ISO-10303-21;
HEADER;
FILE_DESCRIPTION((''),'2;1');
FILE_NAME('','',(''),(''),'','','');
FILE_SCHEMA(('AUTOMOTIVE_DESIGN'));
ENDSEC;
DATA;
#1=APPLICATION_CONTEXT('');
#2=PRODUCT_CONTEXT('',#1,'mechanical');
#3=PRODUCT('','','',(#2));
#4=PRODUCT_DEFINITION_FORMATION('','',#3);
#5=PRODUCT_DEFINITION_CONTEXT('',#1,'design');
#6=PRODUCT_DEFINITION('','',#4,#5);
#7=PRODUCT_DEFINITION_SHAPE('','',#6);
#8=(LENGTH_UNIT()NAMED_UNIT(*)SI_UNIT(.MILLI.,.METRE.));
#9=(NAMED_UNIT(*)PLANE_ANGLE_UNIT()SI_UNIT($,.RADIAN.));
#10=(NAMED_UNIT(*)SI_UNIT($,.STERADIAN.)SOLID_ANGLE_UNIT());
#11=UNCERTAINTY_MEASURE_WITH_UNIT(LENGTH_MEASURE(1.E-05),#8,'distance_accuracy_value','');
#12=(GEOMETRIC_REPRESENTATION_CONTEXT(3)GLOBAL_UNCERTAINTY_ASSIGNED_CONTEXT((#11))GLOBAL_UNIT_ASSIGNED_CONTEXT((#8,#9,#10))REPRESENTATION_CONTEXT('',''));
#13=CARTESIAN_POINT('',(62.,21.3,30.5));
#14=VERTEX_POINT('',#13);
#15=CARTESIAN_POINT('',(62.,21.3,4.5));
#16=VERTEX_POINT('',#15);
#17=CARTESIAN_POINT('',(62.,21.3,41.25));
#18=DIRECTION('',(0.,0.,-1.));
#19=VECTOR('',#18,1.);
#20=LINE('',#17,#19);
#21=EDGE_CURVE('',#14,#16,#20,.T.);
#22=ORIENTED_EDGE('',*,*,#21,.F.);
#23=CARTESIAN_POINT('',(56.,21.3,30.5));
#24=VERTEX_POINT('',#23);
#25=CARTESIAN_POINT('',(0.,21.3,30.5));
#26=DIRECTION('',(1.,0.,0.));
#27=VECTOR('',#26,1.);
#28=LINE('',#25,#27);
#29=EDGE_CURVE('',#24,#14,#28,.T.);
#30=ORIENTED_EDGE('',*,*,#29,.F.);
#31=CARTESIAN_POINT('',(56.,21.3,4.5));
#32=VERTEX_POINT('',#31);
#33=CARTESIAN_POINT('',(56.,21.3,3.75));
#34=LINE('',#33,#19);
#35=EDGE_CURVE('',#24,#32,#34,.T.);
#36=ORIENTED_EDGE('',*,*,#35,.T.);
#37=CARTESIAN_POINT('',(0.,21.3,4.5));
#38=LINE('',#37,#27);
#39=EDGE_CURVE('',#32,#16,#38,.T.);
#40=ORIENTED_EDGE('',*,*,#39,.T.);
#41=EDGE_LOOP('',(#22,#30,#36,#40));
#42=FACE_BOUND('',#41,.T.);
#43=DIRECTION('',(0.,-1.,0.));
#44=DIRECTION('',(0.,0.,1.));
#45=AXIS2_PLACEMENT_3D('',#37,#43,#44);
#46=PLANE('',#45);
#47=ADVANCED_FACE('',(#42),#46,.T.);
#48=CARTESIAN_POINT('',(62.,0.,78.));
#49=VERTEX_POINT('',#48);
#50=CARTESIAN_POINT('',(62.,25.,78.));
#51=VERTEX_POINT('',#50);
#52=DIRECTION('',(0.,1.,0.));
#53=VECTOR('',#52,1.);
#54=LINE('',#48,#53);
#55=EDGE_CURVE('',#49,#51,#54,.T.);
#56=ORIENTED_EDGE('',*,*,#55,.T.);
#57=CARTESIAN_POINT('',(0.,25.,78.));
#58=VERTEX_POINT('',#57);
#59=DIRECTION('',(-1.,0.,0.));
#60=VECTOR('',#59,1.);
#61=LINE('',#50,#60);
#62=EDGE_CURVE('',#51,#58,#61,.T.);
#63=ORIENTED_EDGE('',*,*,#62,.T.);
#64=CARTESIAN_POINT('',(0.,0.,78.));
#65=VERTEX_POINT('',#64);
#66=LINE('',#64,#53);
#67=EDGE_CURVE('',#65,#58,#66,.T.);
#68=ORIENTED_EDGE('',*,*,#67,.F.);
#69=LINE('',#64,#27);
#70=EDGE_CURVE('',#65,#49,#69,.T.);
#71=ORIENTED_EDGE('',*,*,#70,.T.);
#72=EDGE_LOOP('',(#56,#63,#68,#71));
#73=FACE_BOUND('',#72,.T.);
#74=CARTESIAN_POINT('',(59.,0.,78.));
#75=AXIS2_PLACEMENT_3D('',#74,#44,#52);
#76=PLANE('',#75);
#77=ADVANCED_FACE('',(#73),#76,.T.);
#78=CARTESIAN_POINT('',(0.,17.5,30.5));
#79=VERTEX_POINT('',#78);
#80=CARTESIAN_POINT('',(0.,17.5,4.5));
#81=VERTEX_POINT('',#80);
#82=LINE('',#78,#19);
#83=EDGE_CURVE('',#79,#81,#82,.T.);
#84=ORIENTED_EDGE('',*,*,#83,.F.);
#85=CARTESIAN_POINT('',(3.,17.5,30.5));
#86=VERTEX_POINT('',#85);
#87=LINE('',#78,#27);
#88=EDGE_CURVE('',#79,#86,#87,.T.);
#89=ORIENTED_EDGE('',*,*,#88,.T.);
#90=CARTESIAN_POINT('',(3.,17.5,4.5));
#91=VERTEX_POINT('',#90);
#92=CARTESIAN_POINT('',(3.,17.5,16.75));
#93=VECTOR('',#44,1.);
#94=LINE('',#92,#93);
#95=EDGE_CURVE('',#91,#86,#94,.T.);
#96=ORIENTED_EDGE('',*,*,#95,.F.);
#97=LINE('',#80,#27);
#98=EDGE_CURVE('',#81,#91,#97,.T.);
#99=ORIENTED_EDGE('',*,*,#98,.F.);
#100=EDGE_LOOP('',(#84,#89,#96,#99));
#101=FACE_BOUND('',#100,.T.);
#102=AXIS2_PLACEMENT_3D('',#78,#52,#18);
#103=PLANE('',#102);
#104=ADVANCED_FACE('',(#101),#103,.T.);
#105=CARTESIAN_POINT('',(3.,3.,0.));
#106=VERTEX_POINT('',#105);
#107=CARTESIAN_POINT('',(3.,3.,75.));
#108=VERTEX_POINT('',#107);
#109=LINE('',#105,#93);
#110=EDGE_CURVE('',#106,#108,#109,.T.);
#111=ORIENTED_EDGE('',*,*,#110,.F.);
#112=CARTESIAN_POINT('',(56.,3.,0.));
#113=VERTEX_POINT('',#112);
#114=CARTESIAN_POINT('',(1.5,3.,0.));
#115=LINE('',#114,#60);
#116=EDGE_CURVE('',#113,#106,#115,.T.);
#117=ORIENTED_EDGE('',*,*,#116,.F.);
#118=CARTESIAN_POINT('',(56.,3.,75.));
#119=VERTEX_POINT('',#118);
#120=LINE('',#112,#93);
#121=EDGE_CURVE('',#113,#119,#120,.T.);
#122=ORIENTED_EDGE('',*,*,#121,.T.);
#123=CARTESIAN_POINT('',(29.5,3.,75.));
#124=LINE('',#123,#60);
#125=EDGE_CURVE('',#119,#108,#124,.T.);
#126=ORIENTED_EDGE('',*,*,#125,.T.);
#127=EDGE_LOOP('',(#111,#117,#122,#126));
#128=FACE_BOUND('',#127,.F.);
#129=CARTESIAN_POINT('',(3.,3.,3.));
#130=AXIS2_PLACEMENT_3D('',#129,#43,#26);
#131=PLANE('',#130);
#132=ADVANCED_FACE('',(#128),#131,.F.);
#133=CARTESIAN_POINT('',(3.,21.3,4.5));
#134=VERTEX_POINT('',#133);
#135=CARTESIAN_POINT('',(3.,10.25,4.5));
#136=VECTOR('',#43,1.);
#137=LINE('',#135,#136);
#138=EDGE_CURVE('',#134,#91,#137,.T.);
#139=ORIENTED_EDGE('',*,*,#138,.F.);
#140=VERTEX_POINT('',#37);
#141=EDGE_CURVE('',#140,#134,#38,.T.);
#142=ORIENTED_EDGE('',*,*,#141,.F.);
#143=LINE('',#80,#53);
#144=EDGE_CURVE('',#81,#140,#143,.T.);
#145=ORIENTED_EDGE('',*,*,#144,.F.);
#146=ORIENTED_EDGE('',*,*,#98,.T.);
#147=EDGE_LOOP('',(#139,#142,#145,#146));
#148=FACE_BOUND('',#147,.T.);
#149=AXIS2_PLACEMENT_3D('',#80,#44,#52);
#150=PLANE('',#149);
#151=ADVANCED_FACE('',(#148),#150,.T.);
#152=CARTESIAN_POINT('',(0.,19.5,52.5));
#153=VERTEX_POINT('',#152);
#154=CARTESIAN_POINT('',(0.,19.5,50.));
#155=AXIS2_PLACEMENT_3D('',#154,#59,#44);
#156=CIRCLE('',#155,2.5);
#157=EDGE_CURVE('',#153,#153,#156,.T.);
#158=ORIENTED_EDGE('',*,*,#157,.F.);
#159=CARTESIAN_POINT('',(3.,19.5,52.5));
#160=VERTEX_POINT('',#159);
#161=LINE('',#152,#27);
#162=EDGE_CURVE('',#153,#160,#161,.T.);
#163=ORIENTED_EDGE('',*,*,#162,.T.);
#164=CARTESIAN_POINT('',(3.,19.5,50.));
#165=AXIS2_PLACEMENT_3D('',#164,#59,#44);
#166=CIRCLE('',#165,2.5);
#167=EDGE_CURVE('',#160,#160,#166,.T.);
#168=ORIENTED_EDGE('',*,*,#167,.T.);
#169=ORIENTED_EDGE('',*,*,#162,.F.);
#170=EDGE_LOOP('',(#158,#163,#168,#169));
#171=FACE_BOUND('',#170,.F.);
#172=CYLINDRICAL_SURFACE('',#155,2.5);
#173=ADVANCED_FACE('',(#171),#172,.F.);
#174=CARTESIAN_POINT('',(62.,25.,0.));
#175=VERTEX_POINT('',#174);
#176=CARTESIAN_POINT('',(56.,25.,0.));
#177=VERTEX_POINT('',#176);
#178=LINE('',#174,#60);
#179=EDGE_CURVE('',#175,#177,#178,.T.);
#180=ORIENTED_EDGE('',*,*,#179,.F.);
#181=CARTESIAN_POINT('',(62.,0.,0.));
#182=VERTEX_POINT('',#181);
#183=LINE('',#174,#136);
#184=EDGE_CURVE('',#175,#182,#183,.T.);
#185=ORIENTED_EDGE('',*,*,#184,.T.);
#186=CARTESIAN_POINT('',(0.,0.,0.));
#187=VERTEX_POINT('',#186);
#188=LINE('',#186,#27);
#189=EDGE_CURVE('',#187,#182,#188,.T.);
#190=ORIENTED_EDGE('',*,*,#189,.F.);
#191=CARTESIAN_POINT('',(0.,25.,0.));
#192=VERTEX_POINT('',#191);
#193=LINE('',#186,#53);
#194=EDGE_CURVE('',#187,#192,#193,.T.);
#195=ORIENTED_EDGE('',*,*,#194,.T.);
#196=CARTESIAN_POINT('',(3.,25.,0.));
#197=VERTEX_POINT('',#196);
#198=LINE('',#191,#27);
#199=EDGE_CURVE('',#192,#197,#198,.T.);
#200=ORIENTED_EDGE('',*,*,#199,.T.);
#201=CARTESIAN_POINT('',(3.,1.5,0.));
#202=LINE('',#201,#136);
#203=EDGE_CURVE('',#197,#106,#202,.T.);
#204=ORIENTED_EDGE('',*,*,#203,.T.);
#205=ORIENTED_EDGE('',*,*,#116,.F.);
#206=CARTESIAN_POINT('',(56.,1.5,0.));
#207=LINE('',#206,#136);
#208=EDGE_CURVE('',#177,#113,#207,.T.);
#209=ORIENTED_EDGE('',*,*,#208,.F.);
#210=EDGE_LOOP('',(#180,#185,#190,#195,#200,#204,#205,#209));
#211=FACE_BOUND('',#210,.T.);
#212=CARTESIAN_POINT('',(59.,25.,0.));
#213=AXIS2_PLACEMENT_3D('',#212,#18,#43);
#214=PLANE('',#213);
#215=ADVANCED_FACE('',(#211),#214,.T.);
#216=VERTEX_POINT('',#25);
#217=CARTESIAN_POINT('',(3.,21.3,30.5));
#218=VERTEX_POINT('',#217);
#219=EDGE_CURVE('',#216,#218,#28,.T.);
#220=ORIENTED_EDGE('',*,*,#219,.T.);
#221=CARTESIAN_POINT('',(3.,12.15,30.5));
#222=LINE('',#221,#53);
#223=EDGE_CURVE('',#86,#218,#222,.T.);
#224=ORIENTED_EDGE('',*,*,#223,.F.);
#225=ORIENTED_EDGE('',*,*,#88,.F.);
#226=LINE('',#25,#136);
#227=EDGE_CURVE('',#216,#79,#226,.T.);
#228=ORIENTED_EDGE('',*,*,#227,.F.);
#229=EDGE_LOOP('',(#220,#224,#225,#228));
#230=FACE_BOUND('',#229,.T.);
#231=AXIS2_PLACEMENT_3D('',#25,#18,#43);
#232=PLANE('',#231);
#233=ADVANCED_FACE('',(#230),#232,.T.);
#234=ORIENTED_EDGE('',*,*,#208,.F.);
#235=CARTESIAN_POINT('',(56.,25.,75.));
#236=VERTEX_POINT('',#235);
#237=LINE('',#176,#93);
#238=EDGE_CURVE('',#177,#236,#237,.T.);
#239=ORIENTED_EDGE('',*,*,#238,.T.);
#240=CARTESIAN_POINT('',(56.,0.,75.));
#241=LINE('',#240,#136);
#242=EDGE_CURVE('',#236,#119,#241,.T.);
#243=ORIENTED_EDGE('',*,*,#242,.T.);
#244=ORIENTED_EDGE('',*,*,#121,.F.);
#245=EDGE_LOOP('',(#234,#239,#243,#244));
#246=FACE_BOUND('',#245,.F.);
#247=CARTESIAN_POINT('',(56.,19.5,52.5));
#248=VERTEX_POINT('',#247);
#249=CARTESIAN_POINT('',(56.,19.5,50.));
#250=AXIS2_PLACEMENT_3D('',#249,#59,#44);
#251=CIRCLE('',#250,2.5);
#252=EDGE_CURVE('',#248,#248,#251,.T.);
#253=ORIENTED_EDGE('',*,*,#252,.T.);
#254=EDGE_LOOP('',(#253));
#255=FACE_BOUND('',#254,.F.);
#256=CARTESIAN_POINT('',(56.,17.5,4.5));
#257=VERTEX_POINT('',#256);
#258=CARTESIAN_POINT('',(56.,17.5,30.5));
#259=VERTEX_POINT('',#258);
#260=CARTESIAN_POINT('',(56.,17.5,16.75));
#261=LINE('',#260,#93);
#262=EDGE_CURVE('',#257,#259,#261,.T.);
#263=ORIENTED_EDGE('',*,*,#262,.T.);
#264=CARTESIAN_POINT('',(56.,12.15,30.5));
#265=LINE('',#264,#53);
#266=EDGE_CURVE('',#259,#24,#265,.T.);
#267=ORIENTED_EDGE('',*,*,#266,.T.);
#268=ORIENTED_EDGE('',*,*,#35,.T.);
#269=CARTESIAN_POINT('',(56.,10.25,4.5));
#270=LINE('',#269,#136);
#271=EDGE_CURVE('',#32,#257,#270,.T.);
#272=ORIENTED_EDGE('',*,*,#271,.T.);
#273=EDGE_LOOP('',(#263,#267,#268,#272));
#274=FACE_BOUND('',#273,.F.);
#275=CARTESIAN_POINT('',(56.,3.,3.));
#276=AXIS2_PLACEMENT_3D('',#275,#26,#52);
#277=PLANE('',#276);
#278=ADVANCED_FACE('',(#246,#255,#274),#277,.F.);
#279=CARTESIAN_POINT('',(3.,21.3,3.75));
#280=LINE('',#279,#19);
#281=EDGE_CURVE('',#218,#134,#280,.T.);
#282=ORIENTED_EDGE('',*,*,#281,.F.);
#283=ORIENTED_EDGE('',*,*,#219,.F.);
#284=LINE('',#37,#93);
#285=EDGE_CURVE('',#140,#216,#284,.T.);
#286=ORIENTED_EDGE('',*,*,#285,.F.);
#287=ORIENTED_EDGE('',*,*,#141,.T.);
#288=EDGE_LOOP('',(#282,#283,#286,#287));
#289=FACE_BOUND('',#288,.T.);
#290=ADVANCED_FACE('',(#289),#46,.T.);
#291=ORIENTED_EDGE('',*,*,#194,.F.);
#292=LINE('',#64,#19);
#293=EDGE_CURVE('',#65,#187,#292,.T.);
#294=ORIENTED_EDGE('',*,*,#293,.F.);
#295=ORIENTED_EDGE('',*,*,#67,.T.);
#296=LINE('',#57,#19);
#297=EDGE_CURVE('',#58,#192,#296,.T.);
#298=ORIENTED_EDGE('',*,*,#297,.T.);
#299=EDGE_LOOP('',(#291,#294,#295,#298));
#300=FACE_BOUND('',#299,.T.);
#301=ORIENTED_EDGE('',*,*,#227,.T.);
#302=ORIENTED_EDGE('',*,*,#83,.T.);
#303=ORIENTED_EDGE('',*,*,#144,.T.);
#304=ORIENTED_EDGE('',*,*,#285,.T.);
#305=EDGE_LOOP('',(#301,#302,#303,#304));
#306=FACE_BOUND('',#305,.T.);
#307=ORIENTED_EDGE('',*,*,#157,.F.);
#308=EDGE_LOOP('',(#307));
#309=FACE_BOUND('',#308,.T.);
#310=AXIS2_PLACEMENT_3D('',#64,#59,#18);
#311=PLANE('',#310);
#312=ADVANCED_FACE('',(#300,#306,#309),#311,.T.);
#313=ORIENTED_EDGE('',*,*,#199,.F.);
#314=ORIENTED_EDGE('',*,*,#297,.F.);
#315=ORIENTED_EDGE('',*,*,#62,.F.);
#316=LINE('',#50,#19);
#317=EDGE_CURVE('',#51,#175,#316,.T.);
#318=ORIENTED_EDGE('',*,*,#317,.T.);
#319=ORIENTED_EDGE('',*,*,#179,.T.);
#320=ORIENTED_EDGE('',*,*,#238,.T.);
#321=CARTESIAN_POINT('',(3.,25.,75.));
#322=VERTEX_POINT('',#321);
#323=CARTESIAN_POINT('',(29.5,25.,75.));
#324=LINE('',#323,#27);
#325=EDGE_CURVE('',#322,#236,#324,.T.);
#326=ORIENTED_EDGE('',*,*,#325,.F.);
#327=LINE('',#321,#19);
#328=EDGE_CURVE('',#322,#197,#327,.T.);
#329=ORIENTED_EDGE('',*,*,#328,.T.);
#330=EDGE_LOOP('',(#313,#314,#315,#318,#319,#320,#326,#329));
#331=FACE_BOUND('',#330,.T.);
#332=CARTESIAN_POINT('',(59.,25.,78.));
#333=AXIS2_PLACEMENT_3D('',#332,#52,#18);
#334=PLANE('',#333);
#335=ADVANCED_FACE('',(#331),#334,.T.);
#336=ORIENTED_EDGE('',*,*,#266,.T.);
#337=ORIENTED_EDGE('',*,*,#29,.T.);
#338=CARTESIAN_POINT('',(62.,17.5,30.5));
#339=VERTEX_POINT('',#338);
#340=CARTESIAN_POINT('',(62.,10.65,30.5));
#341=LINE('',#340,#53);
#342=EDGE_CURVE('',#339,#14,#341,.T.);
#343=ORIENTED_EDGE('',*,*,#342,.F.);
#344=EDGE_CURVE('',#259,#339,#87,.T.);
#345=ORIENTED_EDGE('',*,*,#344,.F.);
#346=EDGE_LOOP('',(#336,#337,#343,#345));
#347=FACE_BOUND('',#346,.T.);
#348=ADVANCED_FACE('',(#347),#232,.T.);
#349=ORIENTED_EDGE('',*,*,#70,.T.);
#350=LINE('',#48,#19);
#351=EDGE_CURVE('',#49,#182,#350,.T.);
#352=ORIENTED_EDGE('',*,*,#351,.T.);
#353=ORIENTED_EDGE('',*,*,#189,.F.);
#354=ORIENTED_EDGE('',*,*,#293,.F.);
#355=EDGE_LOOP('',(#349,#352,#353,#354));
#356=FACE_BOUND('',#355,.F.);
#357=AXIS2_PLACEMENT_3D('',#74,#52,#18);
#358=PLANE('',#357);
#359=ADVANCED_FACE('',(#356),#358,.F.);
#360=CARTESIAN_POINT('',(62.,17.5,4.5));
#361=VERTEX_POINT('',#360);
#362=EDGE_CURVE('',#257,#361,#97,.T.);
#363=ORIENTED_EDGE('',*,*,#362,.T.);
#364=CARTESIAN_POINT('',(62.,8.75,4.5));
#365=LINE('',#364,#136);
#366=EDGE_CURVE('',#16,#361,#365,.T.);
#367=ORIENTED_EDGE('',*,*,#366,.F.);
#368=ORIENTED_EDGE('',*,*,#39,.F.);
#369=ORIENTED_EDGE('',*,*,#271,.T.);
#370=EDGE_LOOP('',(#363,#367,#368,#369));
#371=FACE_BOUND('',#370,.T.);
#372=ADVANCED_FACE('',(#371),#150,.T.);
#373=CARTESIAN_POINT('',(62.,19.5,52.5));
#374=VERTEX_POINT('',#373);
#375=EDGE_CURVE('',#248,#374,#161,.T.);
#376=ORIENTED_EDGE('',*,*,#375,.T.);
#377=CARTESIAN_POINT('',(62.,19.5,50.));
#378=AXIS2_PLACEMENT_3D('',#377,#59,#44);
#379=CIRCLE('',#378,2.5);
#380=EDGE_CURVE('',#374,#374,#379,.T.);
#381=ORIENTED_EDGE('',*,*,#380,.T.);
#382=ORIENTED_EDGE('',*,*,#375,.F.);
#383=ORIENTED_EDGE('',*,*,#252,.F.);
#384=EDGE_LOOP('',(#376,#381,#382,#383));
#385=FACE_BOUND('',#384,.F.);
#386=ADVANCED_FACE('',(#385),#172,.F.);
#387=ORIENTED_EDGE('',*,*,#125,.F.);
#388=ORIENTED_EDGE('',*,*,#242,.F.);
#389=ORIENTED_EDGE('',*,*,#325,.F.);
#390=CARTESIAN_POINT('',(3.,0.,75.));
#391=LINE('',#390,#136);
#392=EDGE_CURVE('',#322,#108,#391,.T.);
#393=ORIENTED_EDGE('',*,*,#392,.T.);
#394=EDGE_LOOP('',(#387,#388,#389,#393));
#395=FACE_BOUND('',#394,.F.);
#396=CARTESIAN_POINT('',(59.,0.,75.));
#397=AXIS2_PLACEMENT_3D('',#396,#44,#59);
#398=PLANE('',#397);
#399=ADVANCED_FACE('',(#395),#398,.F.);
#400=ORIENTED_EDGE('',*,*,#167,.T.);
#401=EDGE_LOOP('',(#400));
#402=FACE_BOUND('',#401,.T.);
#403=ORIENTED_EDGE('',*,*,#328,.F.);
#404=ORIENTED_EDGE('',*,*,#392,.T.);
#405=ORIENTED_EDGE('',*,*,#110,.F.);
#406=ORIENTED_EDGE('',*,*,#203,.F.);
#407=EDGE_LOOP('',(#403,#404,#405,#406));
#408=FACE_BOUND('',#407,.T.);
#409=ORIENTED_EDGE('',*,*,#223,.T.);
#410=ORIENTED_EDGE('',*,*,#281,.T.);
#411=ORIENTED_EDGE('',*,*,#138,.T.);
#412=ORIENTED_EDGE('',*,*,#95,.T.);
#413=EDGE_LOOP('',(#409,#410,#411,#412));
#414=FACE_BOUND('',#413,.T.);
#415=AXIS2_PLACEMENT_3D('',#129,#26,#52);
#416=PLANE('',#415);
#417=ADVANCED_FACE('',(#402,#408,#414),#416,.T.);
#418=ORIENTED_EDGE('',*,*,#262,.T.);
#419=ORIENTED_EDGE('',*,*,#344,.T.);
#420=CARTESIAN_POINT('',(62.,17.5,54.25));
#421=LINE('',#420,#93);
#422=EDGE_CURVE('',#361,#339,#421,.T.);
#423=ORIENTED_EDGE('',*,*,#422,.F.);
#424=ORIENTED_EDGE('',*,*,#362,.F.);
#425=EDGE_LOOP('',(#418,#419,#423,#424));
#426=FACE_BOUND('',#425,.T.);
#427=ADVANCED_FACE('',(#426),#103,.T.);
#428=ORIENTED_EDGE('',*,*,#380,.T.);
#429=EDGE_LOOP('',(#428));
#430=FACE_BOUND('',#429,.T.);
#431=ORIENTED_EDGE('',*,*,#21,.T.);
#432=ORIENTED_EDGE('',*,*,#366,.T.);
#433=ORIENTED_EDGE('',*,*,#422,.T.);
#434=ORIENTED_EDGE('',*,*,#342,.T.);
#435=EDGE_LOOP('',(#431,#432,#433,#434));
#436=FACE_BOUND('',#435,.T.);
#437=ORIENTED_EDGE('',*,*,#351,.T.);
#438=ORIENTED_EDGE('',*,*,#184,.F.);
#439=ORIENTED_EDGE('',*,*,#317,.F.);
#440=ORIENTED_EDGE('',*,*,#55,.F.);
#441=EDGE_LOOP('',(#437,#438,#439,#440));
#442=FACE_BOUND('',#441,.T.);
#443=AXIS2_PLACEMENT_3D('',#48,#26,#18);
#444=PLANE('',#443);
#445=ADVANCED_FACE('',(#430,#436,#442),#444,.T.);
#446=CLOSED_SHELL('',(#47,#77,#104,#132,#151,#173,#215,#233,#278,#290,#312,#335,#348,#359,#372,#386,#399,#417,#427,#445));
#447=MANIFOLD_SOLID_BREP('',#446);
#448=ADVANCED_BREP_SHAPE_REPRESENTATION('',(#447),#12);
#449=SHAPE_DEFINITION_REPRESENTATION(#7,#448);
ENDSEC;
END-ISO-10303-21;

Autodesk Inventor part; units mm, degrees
ref_plane "YZ Plane" through (0, 0, 0) normal (1, 0, 0) x (0, 1, 0)
ref_plane "XZ Plane" through (0, 0, 0) normal (0, 1, 0) x (-1, 0, 0)
ref_plane "XY Plane" through (0, 0, 0) normal (0, 0, 1) x (1, 0, 0)
sketch "Sketch2" plane through (0, 0, 0) normal (0, 1, 0) x (-1, 0, 0)
  line L0 (0, 0) -> (-59, 0)
  line L1 (-59, 0) -> (-59, 78)
  line L2 (-59, 78) -> (0, 78)
  line L3 (0, 78) -> (0, 0)
  dimension "d0" = 59
  dimension "d1" = 78
extrude "Extrusion1" add sketch "Sketch2" along normal blind 25
shell "Shell1" thickness 3 removed faces 1 at (39.3333, 25, 52)
sketch "Sketch4" plane through (59, 0, 0) normal (0, 0, -1) x (-1, 0, 0)
  point P0 (59, 0)
sketch "Sketch5" plane through (3, 3, 3) normal (0, 0, 1) x (1, 0, 0)
  line L0 (0, 0) -> (0, 22) projected
  line L1 (0, 22) -> (53, 22) projected
  line L2 (0, 0) -> (53, 0)
  line L3 (53, 0) -> (53, 22)
  line L4 (53, 22) -> (0, 22)
  line L5 (0, 22) -> (0, 0)
  point P0 (-3, -3)
extrude "Extrusion3" cut sketch "Sketch5" against normal blind 10
sketch "Sketch6" plane through (0, 0, 0) normal (-1, 0, 0) x (0, 0, 1)
  line L0 (4.5, 21.3) -> (30.5, 21.3)
  line L1 (30.5, 21.3) -> (30.5, 17.5)
  line L2 (30.5, 17.5) -> (4.5, 17.5)
  line L3 (4.5, 17.5) -> (4.5, 21.3)
  line L4 (0, 0) -> (0, 25) projected
  line L5 (0, 0) -> (78, 0) projected
  dimension "d19" = 26
  dimension "d20" = 3.8
  dimension "d21" = 4.5
  dimension "d22" = 17.5
sketch "Sketch7" plane through (59, 0, 78) normal (1, 0, 0) x (0, 0, -1)
  line L0 (0, 0) -> (78, 0) projected
  line L1 (0, 25) -> (78, 25)
  line L2 (78, 25) -> (78, 0)
  line L3 (78, 0) -> (0, 0)
  line L4 (0, 0) -> (0, 25)
extrude "Extrusion5" add sketch "Sketch7" along normal blind 3
extrude "Extrusion6" cut sketch "Sketch6" against normal through all
sketch "Sketch8" plane through (0, 0, 0) normal (-1, 0, 0) x (0, 0, 1)
  circle A0 centre (50, 19.5) radius 2.5
  point P0 (0, 0)
  dimension "d29" = 5
extrude "Extrusion7" cut sketch "Sketch8" against normal through all
properties part number "arduino box v06"
